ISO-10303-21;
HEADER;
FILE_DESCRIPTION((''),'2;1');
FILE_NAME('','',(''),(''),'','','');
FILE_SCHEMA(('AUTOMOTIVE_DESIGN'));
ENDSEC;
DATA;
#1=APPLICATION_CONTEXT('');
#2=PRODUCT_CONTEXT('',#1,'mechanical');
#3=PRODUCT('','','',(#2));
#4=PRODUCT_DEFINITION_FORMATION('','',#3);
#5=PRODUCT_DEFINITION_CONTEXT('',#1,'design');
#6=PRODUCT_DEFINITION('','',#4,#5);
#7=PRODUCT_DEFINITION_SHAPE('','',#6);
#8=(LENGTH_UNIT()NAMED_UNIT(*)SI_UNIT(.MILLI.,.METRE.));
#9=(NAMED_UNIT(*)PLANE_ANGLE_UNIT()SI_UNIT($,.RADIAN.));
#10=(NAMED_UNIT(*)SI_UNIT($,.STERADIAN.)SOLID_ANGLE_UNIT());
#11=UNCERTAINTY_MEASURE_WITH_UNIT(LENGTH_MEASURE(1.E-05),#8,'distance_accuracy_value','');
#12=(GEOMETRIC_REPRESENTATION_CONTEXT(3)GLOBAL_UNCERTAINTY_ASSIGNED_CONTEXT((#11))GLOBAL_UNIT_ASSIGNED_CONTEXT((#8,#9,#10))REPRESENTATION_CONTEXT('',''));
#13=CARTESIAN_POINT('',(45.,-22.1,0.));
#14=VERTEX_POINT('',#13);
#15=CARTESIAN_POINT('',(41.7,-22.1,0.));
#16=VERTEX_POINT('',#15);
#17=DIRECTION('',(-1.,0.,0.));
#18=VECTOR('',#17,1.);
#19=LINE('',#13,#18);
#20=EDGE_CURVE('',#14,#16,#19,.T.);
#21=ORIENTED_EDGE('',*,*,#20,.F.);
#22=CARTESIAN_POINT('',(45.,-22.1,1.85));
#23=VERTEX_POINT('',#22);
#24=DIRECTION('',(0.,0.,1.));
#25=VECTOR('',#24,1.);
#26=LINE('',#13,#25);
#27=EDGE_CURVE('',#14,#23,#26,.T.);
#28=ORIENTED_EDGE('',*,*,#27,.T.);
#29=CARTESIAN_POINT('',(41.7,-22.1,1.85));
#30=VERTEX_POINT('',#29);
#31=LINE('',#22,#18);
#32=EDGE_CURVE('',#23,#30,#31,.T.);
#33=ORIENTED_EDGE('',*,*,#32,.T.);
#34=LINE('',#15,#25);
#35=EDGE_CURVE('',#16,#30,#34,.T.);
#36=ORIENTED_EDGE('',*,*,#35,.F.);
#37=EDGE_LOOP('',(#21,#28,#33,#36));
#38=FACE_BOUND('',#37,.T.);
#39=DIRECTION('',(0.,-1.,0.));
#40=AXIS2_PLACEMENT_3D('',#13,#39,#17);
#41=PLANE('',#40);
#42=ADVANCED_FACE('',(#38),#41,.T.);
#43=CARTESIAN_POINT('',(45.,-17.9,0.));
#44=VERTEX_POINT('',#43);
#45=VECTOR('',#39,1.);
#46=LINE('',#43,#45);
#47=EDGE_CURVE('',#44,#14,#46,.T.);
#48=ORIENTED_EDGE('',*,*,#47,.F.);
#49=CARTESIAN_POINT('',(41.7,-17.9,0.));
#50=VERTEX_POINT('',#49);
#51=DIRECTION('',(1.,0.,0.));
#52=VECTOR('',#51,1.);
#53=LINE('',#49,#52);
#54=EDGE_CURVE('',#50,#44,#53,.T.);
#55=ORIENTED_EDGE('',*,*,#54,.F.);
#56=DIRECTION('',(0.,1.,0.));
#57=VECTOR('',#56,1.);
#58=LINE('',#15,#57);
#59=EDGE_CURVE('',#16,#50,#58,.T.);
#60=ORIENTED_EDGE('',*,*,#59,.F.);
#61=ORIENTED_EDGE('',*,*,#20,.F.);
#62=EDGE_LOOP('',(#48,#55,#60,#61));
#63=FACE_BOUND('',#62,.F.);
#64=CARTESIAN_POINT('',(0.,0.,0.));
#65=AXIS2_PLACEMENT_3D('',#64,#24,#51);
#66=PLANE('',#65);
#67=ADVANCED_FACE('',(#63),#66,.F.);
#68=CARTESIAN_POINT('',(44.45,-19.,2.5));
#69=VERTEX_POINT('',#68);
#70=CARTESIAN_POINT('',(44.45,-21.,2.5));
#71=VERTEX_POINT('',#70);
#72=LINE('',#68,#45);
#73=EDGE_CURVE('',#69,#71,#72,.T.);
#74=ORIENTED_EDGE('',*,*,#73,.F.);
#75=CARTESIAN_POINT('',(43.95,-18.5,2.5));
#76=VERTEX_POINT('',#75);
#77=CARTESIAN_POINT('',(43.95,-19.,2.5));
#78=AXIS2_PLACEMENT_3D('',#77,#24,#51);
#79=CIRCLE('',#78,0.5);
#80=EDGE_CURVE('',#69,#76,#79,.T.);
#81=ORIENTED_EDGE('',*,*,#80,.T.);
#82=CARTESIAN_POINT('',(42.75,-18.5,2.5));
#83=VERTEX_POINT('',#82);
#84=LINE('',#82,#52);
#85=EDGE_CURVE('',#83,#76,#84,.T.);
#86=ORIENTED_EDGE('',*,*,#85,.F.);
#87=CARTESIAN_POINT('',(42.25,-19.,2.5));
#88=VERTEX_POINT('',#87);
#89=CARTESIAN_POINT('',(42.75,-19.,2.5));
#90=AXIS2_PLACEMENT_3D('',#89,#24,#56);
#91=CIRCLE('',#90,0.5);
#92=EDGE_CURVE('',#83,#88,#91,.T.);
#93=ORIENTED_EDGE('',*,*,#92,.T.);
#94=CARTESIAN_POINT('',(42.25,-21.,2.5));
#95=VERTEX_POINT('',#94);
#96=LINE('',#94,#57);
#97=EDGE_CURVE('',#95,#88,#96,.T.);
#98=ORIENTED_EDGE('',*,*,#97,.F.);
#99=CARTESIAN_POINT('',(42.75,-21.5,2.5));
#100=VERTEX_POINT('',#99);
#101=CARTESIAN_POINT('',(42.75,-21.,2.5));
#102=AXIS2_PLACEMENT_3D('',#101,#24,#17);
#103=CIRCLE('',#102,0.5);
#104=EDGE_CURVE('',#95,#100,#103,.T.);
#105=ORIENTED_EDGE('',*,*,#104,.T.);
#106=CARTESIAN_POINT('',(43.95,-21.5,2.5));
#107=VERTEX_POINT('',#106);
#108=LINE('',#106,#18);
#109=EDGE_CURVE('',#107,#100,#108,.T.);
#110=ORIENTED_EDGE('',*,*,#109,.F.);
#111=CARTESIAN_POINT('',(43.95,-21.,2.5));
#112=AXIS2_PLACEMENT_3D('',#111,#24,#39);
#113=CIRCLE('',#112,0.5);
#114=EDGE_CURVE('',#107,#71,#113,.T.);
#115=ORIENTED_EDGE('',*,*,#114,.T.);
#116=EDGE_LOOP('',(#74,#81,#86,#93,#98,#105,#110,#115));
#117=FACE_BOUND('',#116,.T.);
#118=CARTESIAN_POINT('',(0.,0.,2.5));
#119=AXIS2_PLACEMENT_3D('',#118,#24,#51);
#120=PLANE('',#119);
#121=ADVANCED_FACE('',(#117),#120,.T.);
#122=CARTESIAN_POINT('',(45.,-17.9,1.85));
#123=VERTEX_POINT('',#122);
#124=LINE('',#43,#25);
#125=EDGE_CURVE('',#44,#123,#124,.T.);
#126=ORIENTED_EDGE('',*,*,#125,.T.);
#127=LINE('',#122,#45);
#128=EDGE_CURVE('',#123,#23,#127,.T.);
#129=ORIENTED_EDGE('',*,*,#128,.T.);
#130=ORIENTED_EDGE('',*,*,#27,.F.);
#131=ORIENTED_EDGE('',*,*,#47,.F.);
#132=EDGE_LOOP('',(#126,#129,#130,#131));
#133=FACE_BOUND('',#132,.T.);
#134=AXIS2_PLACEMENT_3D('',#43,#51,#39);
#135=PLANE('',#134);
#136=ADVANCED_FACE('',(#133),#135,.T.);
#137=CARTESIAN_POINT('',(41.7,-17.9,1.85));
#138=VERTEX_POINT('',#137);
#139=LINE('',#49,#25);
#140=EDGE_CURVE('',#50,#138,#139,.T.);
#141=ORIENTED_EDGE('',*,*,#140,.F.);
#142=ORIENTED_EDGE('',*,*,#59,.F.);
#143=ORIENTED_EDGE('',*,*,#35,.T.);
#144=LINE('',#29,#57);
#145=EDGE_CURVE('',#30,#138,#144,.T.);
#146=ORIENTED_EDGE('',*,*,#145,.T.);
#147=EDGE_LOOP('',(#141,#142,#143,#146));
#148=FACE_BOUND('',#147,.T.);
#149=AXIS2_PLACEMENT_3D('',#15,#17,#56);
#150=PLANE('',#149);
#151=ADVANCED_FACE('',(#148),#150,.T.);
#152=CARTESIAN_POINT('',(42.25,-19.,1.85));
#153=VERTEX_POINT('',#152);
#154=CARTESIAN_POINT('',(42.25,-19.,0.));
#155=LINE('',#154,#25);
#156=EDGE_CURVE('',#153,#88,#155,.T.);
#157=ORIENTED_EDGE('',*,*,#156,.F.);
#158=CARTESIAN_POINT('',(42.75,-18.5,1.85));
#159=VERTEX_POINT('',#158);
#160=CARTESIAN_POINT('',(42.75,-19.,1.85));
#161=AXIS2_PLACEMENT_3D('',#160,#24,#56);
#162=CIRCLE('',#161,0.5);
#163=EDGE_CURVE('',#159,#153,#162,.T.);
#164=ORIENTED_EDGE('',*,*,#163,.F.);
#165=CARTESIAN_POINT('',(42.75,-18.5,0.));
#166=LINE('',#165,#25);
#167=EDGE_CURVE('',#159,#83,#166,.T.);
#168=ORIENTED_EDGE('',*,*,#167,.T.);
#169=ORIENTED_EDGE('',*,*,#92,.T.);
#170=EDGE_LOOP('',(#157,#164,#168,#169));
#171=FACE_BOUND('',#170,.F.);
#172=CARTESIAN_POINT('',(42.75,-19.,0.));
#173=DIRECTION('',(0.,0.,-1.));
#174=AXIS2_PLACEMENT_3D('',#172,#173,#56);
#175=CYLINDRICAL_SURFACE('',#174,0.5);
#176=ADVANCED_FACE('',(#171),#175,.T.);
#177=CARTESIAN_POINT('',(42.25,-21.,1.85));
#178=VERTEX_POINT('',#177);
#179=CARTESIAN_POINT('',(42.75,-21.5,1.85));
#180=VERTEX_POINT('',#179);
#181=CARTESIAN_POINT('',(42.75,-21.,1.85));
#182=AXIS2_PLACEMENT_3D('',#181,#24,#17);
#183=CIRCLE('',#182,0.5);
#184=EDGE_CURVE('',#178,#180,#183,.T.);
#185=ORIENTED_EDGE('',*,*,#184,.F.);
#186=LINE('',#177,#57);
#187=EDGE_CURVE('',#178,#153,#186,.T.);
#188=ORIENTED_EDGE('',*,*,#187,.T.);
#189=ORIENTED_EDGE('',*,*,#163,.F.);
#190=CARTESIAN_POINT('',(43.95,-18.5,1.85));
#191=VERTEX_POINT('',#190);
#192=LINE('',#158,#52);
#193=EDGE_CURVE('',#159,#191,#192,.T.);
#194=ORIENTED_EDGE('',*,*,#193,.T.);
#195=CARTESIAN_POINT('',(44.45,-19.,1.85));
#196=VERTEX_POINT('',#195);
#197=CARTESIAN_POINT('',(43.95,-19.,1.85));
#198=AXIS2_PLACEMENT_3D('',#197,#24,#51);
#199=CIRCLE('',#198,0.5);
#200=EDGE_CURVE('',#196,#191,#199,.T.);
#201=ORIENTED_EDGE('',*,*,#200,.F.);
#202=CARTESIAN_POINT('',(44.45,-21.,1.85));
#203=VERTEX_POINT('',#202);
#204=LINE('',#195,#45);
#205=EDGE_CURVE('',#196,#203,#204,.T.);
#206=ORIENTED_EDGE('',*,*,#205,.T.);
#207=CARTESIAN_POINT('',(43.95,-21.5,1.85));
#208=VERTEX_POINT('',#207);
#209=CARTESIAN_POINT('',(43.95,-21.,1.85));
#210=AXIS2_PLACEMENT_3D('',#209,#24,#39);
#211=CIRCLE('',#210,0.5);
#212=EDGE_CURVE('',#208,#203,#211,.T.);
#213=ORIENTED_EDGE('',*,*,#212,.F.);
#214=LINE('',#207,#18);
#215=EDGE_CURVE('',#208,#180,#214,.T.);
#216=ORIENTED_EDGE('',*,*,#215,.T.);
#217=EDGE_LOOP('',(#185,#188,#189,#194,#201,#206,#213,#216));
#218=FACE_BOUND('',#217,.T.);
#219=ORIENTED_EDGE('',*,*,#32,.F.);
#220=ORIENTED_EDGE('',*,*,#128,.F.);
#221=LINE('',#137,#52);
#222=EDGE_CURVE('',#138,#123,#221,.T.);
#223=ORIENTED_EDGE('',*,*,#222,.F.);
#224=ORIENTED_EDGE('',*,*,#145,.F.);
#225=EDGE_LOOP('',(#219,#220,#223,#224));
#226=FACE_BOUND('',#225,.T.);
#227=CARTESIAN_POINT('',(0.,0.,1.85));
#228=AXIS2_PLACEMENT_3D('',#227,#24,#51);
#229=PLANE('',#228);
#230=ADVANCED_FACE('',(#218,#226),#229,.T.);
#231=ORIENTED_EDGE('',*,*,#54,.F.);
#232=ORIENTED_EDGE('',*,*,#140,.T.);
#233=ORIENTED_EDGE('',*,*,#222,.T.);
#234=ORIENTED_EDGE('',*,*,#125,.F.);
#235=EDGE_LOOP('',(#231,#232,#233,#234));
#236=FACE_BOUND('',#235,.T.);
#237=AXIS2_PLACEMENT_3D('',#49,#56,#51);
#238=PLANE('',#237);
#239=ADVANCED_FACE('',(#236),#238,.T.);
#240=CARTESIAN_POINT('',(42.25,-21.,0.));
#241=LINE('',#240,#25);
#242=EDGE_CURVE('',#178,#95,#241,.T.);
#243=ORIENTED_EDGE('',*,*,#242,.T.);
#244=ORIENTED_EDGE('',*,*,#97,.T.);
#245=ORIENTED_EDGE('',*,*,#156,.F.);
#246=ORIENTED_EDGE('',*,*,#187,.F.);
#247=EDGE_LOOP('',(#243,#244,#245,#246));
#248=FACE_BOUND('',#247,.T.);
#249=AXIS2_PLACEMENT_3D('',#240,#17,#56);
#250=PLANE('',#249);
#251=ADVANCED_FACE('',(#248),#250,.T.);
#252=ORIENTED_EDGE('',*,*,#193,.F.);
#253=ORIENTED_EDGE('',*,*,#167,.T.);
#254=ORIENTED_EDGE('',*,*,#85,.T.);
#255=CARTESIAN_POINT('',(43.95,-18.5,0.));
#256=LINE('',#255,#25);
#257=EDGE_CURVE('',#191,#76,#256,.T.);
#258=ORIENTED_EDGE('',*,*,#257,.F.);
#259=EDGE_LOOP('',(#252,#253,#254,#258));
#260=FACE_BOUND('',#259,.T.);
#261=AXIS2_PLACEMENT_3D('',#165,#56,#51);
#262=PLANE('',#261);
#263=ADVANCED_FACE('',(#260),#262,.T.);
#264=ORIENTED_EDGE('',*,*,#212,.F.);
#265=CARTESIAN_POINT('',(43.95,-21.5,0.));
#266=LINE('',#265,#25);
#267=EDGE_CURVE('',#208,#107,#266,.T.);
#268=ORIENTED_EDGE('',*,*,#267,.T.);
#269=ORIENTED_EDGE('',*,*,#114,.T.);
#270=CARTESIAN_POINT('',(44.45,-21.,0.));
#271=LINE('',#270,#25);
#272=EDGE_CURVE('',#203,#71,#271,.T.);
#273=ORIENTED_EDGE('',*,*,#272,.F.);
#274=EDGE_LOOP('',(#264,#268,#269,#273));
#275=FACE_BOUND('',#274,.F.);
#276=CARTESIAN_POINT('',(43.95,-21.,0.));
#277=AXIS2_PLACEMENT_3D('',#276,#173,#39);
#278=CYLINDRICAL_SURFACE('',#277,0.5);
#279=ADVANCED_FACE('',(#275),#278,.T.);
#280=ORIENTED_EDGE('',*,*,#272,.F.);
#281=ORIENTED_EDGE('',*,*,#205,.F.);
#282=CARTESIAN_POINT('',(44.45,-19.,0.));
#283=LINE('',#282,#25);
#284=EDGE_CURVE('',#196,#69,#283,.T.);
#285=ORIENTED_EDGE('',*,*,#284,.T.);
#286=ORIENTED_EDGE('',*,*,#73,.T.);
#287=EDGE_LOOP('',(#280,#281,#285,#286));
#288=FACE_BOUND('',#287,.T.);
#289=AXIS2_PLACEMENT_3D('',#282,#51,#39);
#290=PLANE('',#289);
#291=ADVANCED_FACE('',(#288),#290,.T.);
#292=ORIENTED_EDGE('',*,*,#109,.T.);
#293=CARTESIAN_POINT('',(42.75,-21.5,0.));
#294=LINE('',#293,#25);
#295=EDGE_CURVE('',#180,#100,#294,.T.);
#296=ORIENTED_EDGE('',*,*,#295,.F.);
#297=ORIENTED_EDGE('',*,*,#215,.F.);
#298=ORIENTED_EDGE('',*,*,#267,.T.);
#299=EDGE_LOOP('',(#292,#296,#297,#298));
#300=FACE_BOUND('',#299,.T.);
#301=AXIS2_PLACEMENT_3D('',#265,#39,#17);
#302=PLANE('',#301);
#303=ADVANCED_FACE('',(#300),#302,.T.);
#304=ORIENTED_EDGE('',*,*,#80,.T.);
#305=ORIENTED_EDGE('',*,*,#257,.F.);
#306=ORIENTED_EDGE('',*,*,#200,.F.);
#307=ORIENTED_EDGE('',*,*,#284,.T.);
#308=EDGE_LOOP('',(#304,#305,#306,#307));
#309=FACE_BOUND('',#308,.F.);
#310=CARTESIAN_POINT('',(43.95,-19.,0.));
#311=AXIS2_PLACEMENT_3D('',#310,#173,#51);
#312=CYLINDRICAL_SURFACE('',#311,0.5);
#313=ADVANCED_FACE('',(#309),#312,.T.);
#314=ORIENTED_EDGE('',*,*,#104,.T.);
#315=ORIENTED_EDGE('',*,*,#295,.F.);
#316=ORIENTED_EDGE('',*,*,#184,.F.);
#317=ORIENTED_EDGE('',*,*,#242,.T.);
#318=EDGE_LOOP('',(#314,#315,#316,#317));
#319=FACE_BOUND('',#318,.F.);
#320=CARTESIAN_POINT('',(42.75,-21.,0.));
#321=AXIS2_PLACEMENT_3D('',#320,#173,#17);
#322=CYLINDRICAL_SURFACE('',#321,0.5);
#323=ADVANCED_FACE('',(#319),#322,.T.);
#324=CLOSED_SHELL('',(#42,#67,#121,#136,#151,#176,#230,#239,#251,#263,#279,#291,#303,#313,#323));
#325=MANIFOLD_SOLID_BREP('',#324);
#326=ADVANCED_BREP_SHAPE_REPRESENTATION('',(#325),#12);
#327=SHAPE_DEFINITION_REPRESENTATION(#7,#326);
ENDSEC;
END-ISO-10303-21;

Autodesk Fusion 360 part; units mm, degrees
sketch "Sketch1" plane through (0, 0, 0) normal (0, 0, 1) x (1, 0, 0)
  line L0 (41.7, -17.9) -> (45, -17.9)
  line L1 (45, -17.9) -> (45, -22.1)
  line L2 (45, -22.1) -> (41.7, -22.1)
  line L3 (41.7, -22.1) -> (41.7, -17.9)
  line L4 (42.75, -18.5) -> (43.95, -18.5)
  line L5 (44.45, -19) -> (44.45, -21)
  line L6 (43.95, -21.5) -> (42.75, -21.5)
  line L7 (42.25, -21) -> (42.25, -19)
  arc A0 (44.45, -19) -> (43.95, -18.5) centre (43.95, -19) ccw
  arc A1 (43.95, -21.5) -> (44.45, -21) centre (43.95, -21) ccw
  arc A2 (42.25, -21) -> (42.75, -21.5) centre (42.75, -21) ccw
  arc A3 (42.75, -18.5) -> (42.25, -19) centre (42.75, -19) ccw
  line L8 (43.35, -18.5) -> (43.35, -21.5) construction
  line L9 (42.25, -20) -> (44.45, -20) construction
  line L10 (41.7, -20) -> (45, -20) construction
  line L11 (43.35, -17.9) -> (43.35, -22.1) construction
  point P0 (43.35, -20)
  dimension "d365" = 4.2
  dimension "d366" = 3.3
  dimension "d367" = 3
  dimension "d368" = 2.2
  dimension "d369" = 0.5
extrude "Extrude1" add sketch "Sketch1" along normal blind 1.85
extrude "Extrude2" add sketch "Sketch1" along normal blind 2.5 contours L4 L5 L6 L7 A0 A1 A2 A3
